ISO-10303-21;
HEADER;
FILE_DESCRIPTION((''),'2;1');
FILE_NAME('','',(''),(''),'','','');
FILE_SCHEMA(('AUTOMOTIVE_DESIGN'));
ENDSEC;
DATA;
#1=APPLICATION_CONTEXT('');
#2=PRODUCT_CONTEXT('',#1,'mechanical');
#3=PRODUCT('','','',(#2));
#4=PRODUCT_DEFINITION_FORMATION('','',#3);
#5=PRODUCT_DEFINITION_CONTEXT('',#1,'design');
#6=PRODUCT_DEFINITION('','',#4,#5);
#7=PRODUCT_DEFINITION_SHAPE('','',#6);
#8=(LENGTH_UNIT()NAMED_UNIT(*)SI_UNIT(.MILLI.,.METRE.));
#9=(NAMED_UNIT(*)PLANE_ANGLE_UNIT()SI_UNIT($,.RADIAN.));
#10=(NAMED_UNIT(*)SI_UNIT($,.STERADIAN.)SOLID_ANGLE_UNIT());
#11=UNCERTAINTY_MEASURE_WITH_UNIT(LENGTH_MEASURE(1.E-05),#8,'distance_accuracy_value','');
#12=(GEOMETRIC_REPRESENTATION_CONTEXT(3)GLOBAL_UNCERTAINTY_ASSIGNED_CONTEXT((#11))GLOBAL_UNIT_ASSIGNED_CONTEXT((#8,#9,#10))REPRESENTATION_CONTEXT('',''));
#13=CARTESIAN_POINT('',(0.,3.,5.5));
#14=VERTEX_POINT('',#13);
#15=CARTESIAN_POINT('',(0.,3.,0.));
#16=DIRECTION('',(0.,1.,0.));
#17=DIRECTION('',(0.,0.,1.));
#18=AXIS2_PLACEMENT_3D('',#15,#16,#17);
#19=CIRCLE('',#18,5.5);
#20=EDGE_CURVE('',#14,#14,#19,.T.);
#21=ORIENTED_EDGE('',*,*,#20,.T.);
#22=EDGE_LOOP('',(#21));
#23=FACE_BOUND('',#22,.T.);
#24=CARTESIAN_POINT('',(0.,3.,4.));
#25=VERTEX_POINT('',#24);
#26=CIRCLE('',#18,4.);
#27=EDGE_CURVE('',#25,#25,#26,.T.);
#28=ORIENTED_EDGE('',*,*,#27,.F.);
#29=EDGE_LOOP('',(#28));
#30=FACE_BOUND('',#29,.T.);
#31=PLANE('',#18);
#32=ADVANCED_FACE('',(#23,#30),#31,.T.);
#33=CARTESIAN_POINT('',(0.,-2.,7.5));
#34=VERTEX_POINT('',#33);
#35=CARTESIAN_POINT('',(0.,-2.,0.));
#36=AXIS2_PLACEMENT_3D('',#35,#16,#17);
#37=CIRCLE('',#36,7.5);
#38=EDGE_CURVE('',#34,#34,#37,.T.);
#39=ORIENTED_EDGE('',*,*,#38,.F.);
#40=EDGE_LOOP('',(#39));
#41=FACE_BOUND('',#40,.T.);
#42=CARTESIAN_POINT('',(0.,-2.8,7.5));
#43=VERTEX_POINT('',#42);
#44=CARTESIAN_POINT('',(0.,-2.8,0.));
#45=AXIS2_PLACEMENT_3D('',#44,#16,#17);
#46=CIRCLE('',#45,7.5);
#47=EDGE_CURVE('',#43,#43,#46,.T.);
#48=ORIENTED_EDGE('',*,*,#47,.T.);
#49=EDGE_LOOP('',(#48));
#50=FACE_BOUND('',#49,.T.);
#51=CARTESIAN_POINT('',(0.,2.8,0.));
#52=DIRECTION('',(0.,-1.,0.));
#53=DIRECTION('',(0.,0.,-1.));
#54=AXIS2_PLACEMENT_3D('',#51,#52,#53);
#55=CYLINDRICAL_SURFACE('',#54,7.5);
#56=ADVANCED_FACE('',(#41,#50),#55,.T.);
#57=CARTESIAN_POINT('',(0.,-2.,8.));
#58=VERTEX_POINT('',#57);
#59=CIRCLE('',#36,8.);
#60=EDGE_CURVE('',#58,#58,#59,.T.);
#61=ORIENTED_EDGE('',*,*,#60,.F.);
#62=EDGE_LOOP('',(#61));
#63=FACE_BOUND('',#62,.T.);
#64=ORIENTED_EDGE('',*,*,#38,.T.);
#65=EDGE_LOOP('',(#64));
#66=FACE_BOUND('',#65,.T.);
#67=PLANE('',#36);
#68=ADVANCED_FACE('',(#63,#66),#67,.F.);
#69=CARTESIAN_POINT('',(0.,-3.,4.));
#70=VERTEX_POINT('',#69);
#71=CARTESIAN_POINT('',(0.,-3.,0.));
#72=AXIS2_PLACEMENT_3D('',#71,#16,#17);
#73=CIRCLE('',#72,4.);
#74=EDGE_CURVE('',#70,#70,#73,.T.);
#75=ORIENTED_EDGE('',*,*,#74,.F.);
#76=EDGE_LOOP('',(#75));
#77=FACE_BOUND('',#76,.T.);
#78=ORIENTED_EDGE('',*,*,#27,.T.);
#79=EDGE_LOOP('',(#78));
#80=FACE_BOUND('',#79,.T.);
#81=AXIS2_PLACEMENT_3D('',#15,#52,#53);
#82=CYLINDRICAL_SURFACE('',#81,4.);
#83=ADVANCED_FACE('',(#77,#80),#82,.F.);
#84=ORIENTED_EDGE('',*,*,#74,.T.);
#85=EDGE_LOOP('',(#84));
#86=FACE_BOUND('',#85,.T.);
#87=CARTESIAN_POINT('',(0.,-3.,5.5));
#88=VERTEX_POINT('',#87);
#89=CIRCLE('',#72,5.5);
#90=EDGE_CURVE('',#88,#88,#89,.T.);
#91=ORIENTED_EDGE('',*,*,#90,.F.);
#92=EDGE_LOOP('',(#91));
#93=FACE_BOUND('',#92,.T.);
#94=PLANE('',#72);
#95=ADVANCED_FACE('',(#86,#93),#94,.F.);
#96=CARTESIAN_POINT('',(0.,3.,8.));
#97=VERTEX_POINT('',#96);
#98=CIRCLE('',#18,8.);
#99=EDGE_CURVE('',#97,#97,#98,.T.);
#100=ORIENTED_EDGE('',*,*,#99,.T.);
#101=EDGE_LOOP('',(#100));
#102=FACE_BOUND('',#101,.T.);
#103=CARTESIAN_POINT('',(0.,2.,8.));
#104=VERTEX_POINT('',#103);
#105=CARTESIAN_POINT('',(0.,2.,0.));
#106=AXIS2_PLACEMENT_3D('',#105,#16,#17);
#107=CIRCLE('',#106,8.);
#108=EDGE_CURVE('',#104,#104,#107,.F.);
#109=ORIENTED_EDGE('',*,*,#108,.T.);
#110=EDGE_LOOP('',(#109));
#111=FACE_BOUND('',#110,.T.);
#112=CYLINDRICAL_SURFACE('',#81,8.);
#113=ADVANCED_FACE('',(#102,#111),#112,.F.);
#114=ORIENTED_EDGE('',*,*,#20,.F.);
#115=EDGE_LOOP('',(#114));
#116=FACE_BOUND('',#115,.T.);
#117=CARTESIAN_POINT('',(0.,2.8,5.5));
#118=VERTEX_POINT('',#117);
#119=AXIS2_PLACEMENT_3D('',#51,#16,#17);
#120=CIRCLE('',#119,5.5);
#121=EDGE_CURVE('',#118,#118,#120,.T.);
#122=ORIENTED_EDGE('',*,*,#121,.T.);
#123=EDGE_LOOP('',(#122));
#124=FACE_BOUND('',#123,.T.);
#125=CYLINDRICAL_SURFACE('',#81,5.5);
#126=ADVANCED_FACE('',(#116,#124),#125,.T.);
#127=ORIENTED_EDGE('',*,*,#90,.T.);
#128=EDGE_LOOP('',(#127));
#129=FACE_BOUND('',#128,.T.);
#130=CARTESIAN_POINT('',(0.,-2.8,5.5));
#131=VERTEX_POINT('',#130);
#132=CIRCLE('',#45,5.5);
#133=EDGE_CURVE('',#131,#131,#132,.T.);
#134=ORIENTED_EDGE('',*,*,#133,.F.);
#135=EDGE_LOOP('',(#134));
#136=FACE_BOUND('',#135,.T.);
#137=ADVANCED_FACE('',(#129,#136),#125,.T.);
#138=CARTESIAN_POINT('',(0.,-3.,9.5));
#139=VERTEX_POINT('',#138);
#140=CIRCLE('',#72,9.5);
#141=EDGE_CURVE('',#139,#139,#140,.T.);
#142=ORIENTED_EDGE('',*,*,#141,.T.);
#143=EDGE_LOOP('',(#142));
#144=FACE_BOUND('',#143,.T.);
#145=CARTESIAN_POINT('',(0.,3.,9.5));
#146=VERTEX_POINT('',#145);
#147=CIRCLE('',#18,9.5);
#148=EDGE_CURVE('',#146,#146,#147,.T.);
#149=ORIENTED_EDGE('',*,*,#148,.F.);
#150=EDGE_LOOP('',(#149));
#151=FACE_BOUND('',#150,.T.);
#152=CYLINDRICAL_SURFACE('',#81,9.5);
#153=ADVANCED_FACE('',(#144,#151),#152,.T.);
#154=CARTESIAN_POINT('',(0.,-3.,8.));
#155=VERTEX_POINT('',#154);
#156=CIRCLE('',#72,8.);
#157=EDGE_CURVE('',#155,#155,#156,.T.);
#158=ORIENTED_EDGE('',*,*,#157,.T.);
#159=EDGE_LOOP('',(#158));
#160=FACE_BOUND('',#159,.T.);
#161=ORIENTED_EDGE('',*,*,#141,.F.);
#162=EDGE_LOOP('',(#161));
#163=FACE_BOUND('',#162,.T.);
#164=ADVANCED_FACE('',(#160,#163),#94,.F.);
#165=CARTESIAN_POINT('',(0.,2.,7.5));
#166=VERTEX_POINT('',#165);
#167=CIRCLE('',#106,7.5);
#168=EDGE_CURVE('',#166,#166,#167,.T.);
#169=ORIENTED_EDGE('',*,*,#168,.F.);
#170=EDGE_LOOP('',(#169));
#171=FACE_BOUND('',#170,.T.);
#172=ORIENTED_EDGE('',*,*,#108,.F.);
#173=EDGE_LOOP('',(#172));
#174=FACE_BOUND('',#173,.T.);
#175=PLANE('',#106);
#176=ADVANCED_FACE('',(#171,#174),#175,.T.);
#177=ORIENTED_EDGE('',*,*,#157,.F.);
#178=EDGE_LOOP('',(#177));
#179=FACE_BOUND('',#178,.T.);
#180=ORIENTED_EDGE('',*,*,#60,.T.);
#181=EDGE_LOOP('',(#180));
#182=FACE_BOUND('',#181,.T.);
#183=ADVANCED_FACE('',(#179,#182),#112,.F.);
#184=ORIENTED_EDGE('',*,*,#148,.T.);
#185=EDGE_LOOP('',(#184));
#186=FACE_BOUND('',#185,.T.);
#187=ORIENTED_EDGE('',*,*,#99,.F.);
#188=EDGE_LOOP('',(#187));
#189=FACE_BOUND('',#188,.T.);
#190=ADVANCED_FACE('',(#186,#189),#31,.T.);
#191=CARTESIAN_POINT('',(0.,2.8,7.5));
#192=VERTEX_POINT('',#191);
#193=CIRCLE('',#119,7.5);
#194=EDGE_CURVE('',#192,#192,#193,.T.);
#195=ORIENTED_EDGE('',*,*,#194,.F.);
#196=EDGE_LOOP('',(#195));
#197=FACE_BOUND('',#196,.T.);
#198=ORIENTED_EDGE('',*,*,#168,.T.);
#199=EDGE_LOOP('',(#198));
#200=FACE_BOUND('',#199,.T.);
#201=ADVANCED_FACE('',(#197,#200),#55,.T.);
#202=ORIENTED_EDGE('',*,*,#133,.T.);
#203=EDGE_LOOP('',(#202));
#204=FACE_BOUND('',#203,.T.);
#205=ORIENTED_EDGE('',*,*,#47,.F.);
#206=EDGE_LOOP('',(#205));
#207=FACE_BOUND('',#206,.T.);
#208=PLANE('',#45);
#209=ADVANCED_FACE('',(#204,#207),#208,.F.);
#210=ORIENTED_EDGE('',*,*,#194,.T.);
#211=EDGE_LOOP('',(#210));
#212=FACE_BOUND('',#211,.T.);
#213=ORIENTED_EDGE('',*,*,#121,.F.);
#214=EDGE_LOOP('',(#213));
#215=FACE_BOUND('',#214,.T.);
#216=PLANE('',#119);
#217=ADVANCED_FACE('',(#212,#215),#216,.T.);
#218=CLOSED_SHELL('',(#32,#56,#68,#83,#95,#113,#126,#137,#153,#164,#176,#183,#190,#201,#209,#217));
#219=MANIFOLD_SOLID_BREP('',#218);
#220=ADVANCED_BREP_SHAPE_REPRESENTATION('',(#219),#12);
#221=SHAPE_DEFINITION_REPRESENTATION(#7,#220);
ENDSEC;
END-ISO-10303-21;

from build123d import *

# Parameters (mm, degrees)
SKETCH1_R           = 5.5
SKETCH1_R_2         = 4
BOSS_EXTRUDE1_DEPTH = 3
SKETCH3_R           = 7.5
SKETCH3_R_2         = 5.5
BOSS_EXTRUDE2_DEPTH = 2.8
SKETCH4_R           = 8
SKETCH4_R_2         = 7.5
BOSS_EXTRUDE3_DEPTH = 2
SKETCH5_R           = 9.5
SKETCH5_R_2         = 8
BOSS_EXTRUDE4_DEPTH = 3


with BuildPart() as part:
    # Sketch1 → Boss-Extrude1 (new, symmetric)
    with BuildSketch(Plane(origin=(0, 0, 0), x_dir=(1, 0, 0), z_dir=(0, 1, 0))):
        with Locations(Location((0, 0, 0), (0, 0, 270))):
            Circle(SKETCH1_R)
        with Locations(Location((0, 0, 0), (0, 0, 270))):
            Circle(SKETCH1_R_2, mode=Mode.SUBTRACT)
    extrude(amount=BOSS_EXTRUDE1_DEPTH, both=True)

    # Sketch3 → Boss-Extrude2 (add, symmetric)
    with BuildSketch(Plane(origin=(0, 0, 0), x_dir=(1, 0, 0), z_dir=(0, 1, 0))):
        with Locations(Location((0, 0, 0), (0, 0, 270))):
            Circle(SKETCH3_R)
        with Locations(Location((0, 0, 0), (0, 0, 270))):
            Circle(SKETCH3_R_2, mode=Mode.SUBTRACT)
    extrude(amount=BOSS_EXTRUDE2_DEPTH, both=True)

    # Sketch4 → Boss-Extrude3 (add, symmetric)
    with BuildSketch(Plane(origin=(0, 0, 0), x_dir=(1, 0, 0), z_dir=(0, 1, 0))):
        with Locations(Location((0, 0, 0), (0, 0, 270))):
            Circle(SKETCH4_R)
        with Locations(Location((0, 0, 0), (0, 0, 270))):
            Circle(SKETCH4_R_2, mode=Mode.SUBTRACT)
    extrude(amount=BOSS_EXTRUDE3_DEPTH, both=True)

    # Sketch5 → Boss-Extrude4 (add, symmetric)
    with BuildSketch(Plane(origin=(0, 0, 0), x_dir=(1, 0, 0), z_dir=(0, 1, 0))):
        with Locations(Location((0, 0, 0), (0, 0, 270))):
            Circle(SKETCH5_R)
        with Locations(Location((0, 0, 0), (0, 0, 270))):
            Circle(SKETCH5_R_2, mode=Mode.SUBTRACT)
    extrude(amount=BOSS_EXTRUDE4_DEPTH, both=True)


solid = part.part
